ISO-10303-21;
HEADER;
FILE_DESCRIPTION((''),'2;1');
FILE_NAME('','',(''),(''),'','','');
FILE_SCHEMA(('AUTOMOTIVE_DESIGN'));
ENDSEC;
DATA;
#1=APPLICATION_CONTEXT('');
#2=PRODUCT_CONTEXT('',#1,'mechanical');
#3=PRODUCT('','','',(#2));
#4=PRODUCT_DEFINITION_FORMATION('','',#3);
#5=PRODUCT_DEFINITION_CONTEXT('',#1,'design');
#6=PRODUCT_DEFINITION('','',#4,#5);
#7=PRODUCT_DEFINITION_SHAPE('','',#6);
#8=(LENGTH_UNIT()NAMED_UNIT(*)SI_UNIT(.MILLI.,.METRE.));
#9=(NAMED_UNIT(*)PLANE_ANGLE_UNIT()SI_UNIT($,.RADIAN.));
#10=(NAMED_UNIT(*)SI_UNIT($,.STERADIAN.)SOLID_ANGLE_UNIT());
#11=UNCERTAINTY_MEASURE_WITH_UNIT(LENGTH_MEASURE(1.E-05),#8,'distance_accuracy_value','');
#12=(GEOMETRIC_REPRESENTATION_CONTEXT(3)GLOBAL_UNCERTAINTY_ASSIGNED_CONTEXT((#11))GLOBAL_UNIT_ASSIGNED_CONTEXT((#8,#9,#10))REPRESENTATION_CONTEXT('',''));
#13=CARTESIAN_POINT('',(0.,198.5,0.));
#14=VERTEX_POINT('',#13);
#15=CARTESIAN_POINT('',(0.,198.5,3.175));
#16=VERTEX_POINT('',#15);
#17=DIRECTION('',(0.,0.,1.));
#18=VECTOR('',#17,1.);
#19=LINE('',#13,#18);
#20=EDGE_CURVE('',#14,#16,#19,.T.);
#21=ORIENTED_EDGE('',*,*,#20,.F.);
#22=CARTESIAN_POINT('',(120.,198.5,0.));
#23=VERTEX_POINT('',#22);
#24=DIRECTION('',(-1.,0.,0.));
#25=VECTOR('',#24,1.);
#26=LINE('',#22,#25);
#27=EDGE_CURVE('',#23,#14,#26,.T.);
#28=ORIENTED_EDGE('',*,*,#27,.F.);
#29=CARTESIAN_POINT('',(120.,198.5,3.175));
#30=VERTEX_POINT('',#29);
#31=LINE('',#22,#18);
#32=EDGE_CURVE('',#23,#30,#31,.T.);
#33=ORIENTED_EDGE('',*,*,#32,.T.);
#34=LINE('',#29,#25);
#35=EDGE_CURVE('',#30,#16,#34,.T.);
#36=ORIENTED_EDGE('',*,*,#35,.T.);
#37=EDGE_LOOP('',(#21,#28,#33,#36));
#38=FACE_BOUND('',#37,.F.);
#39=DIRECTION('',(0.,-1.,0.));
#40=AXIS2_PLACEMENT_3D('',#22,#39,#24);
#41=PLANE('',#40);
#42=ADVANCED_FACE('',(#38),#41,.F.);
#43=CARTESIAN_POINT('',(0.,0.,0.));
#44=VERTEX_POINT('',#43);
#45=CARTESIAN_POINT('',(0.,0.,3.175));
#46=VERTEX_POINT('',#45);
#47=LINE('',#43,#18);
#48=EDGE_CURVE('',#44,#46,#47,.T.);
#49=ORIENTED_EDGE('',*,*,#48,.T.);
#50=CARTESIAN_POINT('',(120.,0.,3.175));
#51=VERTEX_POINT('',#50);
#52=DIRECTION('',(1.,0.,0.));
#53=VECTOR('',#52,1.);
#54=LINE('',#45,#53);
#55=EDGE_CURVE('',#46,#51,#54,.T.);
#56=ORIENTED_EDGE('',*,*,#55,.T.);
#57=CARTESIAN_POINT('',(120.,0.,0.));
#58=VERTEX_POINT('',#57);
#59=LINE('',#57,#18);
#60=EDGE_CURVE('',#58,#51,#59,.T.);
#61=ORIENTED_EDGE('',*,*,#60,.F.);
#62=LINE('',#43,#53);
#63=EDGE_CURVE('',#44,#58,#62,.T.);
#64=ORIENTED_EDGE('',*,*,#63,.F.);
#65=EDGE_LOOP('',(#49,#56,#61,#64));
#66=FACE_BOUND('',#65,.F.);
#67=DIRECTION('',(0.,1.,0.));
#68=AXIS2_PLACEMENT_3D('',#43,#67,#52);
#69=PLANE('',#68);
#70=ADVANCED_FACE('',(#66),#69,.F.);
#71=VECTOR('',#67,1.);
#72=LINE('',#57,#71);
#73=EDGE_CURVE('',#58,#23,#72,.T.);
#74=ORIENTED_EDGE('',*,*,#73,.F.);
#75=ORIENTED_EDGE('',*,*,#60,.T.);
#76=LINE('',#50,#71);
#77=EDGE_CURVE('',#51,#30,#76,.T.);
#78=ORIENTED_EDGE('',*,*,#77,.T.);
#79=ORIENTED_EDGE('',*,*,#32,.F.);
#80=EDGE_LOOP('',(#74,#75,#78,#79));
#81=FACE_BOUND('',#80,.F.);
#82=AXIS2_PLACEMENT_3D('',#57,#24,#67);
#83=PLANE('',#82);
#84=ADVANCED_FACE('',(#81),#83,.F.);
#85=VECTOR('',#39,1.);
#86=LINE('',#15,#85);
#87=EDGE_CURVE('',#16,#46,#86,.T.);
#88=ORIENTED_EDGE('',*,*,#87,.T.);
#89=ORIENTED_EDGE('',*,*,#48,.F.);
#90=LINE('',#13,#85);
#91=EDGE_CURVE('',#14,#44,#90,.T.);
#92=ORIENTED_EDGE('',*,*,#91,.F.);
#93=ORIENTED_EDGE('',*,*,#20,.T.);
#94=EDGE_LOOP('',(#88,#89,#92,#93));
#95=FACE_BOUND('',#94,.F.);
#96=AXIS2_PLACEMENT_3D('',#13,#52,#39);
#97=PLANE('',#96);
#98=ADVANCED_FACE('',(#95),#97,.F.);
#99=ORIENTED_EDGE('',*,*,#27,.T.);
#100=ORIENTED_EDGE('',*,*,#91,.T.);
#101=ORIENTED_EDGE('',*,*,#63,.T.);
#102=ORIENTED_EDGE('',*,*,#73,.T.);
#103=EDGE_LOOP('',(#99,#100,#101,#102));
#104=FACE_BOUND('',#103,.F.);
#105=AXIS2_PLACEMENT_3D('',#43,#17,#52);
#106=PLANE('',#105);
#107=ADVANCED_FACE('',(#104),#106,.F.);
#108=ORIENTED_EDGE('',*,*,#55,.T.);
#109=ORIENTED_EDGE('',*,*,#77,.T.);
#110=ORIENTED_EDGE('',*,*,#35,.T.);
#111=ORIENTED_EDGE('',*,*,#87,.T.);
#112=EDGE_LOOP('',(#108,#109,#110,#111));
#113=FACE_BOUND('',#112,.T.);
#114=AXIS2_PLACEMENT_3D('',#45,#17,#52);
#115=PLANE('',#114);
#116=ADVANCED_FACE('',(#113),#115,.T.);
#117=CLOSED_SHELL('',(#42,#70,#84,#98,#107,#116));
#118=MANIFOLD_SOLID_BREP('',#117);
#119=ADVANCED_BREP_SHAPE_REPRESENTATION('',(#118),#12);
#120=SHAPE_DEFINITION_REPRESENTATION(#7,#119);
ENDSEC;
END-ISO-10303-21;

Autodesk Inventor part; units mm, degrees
ref_plane "YZ Plane" through (0, 0, 0) normal (1, 0, 0) x (0, 1, 0)
ref_plane "XZ Plane" through (0, 0, 0) normal (0, 1, 0) x (-1, 0, 0)
ref_plane "XY Plane" through (0, 0, 0) normal (0, 0, 1) x (1, 0, 0)
sketch "Sketch1" plane through (0, 0, 0) normal (0, 0, 1) x (1, 0, 0)
  line L0 (0, 0) -> (120, 0)
  line L1 (120, 0) -> (120, 198.5)
  line L2 (120, 198.5) -> (0, 198.5)
  line L3 (0, 198.5) -> (0, 0)
  dimension "d0" = 120
  dimension "d1" = 198.5
extrude "Extrusion1" add sketch "Sketch1" along normal blind 3.175
equation "\"d0\" = TabletWidth"
equation "\"d1\" = TabletHeight"
equation "\"TabletWidth\" = 120"
equation "\"TabletHeight\" = 198.5"
properties part number "TableMount-Holder" material "ABS Plastic"
